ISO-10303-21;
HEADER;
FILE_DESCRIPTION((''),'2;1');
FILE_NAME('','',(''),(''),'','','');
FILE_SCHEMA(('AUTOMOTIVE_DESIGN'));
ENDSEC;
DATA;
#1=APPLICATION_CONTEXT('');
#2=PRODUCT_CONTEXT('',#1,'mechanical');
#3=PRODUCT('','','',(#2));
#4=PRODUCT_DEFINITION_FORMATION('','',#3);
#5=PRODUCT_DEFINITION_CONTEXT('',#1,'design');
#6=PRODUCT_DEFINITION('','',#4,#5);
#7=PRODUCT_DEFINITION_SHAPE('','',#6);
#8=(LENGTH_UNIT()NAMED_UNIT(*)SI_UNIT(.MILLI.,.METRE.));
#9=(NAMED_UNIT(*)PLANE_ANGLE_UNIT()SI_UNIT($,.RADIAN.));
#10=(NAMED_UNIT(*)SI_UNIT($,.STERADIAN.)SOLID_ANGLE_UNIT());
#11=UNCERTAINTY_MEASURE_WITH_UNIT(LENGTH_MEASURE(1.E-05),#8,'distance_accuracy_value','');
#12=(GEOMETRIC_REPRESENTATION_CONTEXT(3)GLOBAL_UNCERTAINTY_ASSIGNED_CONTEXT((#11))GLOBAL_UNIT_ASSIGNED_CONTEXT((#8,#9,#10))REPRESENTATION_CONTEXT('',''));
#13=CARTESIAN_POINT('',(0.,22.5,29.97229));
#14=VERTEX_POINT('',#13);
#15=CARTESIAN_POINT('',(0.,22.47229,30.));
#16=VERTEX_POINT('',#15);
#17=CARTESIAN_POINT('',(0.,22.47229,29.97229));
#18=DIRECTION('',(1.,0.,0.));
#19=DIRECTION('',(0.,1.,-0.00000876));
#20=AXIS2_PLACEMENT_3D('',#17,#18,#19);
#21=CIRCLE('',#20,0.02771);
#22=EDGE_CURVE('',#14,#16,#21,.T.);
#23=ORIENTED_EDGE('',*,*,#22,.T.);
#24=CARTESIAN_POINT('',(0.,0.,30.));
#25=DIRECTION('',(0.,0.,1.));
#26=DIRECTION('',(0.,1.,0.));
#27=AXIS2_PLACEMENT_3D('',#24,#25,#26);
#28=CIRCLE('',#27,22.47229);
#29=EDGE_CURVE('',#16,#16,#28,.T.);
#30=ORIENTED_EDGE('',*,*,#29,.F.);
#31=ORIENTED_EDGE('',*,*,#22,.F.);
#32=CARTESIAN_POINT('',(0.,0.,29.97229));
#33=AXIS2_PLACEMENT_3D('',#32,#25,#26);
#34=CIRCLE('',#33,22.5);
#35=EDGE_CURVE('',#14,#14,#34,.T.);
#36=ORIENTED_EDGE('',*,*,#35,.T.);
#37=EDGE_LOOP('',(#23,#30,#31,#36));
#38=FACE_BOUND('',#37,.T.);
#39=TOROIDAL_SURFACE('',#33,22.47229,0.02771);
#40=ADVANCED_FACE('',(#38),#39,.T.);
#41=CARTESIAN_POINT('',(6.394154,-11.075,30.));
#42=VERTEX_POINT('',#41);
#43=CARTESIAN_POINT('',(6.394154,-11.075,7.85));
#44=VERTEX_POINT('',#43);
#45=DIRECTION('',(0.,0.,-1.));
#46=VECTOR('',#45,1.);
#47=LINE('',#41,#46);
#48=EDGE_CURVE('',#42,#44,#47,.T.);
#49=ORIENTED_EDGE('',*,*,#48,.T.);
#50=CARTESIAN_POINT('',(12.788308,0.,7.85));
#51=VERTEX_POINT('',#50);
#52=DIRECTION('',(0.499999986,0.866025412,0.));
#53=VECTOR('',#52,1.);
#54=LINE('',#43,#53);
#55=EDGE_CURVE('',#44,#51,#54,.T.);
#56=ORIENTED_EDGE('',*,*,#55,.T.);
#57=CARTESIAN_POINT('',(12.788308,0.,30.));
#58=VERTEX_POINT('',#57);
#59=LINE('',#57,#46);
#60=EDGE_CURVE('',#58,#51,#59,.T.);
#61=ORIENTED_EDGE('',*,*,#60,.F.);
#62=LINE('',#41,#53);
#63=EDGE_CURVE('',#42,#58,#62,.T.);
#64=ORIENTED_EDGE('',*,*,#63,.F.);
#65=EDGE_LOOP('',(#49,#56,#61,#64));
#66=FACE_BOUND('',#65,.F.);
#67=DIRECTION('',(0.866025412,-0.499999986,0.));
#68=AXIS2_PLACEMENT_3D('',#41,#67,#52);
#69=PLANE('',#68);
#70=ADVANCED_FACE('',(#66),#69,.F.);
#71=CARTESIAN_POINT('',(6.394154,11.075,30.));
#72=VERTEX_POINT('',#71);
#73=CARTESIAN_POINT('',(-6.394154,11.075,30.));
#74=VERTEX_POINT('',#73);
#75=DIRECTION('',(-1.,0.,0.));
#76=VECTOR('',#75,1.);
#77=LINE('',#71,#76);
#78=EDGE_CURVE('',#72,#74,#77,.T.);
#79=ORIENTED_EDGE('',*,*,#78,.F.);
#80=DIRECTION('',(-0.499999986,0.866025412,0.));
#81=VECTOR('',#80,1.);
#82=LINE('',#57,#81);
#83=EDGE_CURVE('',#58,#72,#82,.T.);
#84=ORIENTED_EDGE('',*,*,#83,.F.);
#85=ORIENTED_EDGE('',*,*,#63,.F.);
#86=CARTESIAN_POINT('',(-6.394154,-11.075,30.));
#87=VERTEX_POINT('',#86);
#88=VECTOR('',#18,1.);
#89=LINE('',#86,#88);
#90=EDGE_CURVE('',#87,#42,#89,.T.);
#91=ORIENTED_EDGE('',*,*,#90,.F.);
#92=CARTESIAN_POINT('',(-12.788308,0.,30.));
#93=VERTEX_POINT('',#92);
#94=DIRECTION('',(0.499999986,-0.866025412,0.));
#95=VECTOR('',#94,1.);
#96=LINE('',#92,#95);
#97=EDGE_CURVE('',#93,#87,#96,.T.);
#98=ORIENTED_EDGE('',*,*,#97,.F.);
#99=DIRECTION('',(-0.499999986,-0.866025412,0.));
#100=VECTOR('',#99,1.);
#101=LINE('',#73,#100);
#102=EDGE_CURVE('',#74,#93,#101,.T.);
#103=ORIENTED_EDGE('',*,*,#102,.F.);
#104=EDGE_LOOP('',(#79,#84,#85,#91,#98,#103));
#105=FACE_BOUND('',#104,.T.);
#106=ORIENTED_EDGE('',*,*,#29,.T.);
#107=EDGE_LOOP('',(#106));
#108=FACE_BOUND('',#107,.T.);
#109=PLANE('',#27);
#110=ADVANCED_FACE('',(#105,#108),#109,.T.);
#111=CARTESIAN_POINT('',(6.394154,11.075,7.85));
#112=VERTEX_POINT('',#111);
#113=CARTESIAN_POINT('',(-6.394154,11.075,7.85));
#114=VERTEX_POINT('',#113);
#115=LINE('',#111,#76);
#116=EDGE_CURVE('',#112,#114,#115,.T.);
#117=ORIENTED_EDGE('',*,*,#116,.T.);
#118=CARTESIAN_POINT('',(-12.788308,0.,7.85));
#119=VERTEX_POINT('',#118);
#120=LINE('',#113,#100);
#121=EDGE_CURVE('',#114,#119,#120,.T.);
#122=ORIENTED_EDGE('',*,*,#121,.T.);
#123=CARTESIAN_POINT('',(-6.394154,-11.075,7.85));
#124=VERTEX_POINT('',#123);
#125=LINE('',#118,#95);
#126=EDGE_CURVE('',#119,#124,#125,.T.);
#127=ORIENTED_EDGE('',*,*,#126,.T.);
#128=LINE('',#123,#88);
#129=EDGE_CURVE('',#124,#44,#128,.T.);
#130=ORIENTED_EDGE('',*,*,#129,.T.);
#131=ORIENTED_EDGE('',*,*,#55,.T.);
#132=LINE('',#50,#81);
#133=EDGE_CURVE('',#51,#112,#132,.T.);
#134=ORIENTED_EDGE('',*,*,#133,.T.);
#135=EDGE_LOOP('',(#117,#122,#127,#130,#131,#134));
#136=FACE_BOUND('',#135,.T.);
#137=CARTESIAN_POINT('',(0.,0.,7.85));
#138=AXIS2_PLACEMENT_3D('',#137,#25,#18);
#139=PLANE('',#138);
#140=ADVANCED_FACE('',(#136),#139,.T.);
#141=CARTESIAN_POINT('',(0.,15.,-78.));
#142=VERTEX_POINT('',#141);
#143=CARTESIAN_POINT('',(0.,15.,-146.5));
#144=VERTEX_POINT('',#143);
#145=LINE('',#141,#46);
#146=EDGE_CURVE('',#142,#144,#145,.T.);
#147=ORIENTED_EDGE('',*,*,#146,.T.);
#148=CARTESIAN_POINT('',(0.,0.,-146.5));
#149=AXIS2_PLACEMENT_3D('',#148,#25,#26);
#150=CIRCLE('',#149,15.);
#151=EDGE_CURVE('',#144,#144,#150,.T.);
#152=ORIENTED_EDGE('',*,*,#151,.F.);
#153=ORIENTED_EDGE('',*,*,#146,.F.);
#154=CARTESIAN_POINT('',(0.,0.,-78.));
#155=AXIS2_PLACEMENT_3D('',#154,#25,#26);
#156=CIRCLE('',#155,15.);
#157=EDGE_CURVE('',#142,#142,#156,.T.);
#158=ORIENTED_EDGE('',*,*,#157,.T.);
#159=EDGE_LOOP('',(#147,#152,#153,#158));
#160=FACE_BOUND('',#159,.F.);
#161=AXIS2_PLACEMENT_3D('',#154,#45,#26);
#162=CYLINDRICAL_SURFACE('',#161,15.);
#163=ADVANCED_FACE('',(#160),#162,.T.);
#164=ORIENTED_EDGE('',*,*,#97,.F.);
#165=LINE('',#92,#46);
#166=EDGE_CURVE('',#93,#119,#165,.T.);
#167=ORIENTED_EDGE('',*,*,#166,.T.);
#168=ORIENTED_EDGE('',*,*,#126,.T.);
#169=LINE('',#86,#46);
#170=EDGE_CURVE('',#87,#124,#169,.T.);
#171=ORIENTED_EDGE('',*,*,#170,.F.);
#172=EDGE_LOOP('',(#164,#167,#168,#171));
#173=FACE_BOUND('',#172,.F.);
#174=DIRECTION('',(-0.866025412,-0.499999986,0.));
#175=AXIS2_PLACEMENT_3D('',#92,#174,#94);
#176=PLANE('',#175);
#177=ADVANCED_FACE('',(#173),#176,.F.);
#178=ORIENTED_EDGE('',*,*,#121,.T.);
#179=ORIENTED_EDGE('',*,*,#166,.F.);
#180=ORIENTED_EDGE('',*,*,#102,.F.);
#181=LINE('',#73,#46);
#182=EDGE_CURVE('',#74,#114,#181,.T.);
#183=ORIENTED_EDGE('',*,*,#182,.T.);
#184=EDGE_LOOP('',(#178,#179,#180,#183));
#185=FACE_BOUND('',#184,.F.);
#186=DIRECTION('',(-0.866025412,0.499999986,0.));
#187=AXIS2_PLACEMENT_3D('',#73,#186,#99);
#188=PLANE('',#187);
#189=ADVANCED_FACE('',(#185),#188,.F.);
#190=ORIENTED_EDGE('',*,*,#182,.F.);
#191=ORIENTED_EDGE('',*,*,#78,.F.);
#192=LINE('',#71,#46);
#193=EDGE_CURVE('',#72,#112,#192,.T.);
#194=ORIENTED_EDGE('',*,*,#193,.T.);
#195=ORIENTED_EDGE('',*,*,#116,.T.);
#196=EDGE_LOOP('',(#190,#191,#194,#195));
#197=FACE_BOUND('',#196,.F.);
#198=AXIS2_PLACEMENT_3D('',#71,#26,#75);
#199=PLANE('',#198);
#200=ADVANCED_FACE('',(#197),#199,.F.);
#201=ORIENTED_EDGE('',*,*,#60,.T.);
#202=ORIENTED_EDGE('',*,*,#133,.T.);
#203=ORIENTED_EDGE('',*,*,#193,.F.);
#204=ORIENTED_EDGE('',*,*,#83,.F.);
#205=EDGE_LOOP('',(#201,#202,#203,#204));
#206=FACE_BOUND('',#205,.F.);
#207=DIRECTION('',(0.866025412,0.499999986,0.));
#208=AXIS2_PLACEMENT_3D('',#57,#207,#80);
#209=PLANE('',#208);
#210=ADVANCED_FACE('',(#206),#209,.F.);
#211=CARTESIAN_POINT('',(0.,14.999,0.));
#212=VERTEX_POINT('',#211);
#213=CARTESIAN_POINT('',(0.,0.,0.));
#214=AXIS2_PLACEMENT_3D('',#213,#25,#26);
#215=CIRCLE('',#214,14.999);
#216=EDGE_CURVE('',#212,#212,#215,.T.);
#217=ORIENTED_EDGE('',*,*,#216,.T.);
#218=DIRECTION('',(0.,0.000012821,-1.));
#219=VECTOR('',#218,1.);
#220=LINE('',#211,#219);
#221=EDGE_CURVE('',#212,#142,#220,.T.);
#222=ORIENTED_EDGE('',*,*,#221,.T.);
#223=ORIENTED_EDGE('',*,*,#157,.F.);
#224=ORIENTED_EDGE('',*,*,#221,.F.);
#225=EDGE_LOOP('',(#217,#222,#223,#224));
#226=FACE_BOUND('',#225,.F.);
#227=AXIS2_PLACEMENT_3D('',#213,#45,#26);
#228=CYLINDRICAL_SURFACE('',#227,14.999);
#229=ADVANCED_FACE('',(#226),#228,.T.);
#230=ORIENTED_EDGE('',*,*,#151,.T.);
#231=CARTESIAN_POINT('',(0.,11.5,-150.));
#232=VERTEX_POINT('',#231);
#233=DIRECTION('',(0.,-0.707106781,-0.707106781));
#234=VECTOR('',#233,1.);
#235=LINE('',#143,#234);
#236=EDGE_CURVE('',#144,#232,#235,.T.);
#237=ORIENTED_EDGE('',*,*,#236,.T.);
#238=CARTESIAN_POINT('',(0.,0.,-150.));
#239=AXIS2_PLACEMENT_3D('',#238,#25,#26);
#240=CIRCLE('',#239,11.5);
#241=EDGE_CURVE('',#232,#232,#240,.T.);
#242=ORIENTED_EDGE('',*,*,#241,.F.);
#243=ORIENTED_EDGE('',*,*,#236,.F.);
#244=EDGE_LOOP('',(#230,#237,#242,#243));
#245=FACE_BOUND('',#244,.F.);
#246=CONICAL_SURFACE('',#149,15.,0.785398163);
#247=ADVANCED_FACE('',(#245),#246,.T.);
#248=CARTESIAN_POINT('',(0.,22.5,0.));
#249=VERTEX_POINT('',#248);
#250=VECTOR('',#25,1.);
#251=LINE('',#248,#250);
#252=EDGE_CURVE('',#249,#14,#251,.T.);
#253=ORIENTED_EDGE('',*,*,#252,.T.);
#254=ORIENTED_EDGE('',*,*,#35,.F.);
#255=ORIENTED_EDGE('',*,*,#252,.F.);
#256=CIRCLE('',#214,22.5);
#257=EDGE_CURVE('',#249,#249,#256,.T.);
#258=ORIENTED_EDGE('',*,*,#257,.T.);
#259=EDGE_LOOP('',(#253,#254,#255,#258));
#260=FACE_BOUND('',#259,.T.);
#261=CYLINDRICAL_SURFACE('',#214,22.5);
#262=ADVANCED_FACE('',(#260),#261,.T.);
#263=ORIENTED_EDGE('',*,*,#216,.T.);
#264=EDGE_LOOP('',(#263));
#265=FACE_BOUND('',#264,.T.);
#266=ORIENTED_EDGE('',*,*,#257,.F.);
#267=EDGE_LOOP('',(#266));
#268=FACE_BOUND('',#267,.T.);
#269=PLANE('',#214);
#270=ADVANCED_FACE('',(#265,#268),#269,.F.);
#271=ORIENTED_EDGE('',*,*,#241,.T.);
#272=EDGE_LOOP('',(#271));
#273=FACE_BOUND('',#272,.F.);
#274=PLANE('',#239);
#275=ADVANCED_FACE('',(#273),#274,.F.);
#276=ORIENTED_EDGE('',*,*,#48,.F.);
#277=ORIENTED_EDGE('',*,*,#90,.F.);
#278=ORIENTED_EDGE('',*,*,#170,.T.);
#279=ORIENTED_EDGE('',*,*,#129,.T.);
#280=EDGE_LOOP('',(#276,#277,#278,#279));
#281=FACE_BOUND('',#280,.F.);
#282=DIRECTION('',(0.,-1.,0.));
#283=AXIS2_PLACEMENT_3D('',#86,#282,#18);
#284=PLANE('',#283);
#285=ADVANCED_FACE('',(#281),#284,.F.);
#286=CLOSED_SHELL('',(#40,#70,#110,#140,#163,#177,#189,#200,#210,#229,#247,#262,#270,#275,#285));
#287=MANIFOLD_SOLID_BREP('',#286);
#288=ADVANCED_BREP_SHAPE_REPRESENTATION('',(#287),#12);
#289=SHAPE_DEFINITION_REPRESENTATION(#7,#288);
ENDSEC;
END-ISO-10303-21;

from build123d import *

# Parameters (mm, degrees)
POCKET_DEPTH = 22.15


with BuildPart() as part:
    # Sketch → Revolve (revolve)
    with BuildSketch(Plane.YZ):
        with BuildLine():
            Line((14.999, 0), (22.5, 0))
            Line((22.5, 0), (22.5, 29.97229))
            ThreePointArc((22.5, 29.97229), (22.491884, 29.991884), (22.47229, 30))
            Line((22.47229, 30), (0, 30))
            Line((0, -150), (0, 30))
            Line((11.5, -150), (0, -150))
            Line((15, -146.5), (11.5, -150))
            Line((15, -78), (15, -146.5))
            Line((14.999, 0), (15, -78))
        make_face()
    revolve(axis=Axis((0, 0, 0), (0, 0, 1)))

    # Sketch001 → Pocket (cut)
    with BuildSketch(Plane.XY.offset(30)):
        Polygon((12.788308, 0), (6.394154, 11.075), (-6.394154, 11.075), (-12.788308, 0), (-6.394154, -11.075), (6.394154, -11.075), align=None)
    extrude(amount=-POCKET_DEPTH, mode=Mode.SUBTRACT)


solid = part.part
